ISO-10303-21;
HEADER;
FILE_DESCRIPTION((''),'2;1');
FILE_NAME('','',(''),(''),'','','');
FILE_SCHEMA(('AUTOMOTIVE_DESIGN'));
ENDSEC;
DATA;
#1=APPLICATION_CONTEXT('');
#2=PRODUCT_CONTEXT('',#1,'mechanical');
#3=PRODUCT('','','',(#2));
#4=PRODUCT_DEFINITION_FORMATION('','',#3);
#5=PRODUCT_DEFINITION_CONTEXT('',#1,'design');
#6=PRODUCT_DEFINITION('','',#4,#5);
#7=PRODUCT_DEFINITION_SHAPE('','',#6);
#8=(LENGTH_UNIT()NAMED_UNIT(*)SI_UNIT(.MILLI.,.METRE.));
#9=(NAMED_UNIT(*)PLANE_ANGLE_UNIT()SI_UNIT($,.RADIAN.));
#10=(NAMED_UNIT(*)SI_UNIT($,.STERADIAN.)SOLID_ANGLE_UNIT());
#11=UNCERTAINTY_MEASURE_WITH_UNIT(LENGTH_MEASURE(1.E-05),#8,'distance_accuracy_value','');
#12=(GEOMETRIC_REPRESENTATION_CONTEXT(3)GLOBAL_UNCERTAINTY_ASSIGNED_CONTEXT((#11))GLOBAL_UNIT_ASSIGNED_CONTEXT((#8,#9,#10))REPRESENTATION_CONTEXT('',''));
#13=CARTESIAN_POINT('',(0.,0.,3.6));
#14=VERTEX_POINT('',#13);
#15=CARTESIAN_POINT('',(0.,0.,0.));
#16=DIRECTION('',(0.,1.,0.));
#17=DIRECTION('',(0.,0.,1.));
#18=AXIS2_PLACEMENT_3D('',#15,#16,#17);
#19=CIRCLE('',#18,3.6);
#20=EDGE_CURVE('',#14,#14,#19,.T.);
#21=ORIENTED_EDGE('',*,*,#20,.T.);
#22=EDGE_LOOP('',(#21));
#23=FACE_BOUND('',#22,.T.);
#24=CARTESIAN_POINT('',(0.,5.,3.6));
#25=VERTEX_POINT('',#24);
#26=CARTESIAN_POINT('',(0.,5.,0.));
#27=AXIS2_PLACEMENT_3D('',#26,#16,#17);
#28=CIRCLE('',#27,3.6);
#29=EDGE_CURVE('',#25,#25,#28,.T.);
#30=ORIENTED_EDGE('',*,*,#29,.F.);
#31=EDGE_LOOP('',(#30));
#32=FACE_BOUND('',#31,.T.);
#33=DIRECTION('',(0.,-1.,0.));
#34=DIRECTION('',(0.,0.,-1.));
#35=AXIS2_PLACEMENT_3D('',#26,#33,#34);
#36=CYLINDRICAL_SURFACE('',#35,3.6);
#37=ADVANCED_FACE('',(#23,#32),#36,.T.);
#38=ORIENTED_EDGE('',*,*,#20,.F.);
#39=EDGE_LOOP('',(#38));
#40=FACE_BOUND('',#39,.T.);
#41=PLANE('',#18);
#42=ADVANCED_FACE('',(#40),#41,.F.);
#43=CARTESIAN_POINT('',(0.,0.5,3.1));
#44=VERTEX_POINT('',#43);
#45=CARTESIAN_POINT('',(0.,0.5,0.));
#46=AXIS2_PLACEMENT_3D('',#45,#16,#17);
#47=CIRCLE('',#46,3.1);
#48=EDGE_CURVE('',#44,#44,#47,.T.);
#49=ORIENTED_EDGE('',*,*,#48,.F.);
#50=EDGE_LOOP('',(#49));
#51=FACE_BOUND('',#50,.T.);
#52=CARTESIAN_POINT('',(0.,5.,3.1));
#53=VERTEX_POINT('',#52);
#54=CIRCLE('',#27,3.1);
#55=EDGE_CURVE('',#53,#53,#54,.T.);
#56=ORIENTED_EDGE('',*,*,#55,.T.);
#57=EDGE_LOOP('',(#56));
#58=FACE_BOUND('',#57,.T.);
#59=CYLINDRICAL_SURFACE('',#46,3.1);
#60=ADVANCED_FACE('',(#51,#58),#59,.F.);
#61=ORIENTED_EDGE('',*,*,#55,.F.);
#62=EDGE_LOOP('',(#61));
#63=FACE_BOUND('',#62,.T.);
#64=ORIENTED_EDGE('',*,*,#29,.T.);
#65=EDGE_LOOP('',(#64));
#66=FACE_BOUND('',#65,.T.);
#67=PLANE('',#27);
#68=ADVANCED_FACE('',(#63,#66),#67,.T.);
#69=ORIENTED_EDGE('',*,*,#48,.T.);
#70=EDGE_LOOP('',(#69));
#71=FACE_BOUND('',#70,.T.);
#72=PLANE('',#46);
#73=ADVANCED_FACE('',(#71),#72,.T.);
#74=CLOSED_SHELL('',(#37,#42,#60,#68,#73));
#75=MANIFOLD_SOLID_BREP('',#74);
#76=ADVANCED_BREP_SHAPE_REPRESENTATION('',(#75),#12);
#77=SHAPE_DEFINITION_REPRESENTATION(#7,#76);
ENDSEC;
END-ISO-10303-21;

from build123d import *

# Parameters (mm, degrees)
SKETCH1_R           = 3.6
BOSS_EXTRUDE1_DEPTH = 5
SKETCH2_R           = 3.1
CUT_EXTRUDE1_DEPTH  = 4.5


with BuildPart() as part:
    # Sketch1 → Boss-Extrude1 (new body)
    with BuildSketch(Plane(origin=(0, 0, 0), x_dir=(1, 0, 0), z_dir=(0, 1, 0))):
        with Locations(Location((0, 0, 0), (0, 0, 270))):
            Circle(SKETCH1_R)
    extrude(amount=BOSS_EXTRUDE1_DEPTH)

    # Sketch2 → Cut-Extrude1 (cut)
    with BuildSketch(Plane(origin=(0, 5, 0), x_dir=(1, 0, 0), z_dir=(0, 1, 0))):
        with Locations(Location((0, 0, 0), (0, 0, 270))):
            Circle(SKETCH2_R)
    extrude(amount=-CUT_EXTRUDE1_DEPTH, mode=Mode.SUBTRACT)


solid = part.part
